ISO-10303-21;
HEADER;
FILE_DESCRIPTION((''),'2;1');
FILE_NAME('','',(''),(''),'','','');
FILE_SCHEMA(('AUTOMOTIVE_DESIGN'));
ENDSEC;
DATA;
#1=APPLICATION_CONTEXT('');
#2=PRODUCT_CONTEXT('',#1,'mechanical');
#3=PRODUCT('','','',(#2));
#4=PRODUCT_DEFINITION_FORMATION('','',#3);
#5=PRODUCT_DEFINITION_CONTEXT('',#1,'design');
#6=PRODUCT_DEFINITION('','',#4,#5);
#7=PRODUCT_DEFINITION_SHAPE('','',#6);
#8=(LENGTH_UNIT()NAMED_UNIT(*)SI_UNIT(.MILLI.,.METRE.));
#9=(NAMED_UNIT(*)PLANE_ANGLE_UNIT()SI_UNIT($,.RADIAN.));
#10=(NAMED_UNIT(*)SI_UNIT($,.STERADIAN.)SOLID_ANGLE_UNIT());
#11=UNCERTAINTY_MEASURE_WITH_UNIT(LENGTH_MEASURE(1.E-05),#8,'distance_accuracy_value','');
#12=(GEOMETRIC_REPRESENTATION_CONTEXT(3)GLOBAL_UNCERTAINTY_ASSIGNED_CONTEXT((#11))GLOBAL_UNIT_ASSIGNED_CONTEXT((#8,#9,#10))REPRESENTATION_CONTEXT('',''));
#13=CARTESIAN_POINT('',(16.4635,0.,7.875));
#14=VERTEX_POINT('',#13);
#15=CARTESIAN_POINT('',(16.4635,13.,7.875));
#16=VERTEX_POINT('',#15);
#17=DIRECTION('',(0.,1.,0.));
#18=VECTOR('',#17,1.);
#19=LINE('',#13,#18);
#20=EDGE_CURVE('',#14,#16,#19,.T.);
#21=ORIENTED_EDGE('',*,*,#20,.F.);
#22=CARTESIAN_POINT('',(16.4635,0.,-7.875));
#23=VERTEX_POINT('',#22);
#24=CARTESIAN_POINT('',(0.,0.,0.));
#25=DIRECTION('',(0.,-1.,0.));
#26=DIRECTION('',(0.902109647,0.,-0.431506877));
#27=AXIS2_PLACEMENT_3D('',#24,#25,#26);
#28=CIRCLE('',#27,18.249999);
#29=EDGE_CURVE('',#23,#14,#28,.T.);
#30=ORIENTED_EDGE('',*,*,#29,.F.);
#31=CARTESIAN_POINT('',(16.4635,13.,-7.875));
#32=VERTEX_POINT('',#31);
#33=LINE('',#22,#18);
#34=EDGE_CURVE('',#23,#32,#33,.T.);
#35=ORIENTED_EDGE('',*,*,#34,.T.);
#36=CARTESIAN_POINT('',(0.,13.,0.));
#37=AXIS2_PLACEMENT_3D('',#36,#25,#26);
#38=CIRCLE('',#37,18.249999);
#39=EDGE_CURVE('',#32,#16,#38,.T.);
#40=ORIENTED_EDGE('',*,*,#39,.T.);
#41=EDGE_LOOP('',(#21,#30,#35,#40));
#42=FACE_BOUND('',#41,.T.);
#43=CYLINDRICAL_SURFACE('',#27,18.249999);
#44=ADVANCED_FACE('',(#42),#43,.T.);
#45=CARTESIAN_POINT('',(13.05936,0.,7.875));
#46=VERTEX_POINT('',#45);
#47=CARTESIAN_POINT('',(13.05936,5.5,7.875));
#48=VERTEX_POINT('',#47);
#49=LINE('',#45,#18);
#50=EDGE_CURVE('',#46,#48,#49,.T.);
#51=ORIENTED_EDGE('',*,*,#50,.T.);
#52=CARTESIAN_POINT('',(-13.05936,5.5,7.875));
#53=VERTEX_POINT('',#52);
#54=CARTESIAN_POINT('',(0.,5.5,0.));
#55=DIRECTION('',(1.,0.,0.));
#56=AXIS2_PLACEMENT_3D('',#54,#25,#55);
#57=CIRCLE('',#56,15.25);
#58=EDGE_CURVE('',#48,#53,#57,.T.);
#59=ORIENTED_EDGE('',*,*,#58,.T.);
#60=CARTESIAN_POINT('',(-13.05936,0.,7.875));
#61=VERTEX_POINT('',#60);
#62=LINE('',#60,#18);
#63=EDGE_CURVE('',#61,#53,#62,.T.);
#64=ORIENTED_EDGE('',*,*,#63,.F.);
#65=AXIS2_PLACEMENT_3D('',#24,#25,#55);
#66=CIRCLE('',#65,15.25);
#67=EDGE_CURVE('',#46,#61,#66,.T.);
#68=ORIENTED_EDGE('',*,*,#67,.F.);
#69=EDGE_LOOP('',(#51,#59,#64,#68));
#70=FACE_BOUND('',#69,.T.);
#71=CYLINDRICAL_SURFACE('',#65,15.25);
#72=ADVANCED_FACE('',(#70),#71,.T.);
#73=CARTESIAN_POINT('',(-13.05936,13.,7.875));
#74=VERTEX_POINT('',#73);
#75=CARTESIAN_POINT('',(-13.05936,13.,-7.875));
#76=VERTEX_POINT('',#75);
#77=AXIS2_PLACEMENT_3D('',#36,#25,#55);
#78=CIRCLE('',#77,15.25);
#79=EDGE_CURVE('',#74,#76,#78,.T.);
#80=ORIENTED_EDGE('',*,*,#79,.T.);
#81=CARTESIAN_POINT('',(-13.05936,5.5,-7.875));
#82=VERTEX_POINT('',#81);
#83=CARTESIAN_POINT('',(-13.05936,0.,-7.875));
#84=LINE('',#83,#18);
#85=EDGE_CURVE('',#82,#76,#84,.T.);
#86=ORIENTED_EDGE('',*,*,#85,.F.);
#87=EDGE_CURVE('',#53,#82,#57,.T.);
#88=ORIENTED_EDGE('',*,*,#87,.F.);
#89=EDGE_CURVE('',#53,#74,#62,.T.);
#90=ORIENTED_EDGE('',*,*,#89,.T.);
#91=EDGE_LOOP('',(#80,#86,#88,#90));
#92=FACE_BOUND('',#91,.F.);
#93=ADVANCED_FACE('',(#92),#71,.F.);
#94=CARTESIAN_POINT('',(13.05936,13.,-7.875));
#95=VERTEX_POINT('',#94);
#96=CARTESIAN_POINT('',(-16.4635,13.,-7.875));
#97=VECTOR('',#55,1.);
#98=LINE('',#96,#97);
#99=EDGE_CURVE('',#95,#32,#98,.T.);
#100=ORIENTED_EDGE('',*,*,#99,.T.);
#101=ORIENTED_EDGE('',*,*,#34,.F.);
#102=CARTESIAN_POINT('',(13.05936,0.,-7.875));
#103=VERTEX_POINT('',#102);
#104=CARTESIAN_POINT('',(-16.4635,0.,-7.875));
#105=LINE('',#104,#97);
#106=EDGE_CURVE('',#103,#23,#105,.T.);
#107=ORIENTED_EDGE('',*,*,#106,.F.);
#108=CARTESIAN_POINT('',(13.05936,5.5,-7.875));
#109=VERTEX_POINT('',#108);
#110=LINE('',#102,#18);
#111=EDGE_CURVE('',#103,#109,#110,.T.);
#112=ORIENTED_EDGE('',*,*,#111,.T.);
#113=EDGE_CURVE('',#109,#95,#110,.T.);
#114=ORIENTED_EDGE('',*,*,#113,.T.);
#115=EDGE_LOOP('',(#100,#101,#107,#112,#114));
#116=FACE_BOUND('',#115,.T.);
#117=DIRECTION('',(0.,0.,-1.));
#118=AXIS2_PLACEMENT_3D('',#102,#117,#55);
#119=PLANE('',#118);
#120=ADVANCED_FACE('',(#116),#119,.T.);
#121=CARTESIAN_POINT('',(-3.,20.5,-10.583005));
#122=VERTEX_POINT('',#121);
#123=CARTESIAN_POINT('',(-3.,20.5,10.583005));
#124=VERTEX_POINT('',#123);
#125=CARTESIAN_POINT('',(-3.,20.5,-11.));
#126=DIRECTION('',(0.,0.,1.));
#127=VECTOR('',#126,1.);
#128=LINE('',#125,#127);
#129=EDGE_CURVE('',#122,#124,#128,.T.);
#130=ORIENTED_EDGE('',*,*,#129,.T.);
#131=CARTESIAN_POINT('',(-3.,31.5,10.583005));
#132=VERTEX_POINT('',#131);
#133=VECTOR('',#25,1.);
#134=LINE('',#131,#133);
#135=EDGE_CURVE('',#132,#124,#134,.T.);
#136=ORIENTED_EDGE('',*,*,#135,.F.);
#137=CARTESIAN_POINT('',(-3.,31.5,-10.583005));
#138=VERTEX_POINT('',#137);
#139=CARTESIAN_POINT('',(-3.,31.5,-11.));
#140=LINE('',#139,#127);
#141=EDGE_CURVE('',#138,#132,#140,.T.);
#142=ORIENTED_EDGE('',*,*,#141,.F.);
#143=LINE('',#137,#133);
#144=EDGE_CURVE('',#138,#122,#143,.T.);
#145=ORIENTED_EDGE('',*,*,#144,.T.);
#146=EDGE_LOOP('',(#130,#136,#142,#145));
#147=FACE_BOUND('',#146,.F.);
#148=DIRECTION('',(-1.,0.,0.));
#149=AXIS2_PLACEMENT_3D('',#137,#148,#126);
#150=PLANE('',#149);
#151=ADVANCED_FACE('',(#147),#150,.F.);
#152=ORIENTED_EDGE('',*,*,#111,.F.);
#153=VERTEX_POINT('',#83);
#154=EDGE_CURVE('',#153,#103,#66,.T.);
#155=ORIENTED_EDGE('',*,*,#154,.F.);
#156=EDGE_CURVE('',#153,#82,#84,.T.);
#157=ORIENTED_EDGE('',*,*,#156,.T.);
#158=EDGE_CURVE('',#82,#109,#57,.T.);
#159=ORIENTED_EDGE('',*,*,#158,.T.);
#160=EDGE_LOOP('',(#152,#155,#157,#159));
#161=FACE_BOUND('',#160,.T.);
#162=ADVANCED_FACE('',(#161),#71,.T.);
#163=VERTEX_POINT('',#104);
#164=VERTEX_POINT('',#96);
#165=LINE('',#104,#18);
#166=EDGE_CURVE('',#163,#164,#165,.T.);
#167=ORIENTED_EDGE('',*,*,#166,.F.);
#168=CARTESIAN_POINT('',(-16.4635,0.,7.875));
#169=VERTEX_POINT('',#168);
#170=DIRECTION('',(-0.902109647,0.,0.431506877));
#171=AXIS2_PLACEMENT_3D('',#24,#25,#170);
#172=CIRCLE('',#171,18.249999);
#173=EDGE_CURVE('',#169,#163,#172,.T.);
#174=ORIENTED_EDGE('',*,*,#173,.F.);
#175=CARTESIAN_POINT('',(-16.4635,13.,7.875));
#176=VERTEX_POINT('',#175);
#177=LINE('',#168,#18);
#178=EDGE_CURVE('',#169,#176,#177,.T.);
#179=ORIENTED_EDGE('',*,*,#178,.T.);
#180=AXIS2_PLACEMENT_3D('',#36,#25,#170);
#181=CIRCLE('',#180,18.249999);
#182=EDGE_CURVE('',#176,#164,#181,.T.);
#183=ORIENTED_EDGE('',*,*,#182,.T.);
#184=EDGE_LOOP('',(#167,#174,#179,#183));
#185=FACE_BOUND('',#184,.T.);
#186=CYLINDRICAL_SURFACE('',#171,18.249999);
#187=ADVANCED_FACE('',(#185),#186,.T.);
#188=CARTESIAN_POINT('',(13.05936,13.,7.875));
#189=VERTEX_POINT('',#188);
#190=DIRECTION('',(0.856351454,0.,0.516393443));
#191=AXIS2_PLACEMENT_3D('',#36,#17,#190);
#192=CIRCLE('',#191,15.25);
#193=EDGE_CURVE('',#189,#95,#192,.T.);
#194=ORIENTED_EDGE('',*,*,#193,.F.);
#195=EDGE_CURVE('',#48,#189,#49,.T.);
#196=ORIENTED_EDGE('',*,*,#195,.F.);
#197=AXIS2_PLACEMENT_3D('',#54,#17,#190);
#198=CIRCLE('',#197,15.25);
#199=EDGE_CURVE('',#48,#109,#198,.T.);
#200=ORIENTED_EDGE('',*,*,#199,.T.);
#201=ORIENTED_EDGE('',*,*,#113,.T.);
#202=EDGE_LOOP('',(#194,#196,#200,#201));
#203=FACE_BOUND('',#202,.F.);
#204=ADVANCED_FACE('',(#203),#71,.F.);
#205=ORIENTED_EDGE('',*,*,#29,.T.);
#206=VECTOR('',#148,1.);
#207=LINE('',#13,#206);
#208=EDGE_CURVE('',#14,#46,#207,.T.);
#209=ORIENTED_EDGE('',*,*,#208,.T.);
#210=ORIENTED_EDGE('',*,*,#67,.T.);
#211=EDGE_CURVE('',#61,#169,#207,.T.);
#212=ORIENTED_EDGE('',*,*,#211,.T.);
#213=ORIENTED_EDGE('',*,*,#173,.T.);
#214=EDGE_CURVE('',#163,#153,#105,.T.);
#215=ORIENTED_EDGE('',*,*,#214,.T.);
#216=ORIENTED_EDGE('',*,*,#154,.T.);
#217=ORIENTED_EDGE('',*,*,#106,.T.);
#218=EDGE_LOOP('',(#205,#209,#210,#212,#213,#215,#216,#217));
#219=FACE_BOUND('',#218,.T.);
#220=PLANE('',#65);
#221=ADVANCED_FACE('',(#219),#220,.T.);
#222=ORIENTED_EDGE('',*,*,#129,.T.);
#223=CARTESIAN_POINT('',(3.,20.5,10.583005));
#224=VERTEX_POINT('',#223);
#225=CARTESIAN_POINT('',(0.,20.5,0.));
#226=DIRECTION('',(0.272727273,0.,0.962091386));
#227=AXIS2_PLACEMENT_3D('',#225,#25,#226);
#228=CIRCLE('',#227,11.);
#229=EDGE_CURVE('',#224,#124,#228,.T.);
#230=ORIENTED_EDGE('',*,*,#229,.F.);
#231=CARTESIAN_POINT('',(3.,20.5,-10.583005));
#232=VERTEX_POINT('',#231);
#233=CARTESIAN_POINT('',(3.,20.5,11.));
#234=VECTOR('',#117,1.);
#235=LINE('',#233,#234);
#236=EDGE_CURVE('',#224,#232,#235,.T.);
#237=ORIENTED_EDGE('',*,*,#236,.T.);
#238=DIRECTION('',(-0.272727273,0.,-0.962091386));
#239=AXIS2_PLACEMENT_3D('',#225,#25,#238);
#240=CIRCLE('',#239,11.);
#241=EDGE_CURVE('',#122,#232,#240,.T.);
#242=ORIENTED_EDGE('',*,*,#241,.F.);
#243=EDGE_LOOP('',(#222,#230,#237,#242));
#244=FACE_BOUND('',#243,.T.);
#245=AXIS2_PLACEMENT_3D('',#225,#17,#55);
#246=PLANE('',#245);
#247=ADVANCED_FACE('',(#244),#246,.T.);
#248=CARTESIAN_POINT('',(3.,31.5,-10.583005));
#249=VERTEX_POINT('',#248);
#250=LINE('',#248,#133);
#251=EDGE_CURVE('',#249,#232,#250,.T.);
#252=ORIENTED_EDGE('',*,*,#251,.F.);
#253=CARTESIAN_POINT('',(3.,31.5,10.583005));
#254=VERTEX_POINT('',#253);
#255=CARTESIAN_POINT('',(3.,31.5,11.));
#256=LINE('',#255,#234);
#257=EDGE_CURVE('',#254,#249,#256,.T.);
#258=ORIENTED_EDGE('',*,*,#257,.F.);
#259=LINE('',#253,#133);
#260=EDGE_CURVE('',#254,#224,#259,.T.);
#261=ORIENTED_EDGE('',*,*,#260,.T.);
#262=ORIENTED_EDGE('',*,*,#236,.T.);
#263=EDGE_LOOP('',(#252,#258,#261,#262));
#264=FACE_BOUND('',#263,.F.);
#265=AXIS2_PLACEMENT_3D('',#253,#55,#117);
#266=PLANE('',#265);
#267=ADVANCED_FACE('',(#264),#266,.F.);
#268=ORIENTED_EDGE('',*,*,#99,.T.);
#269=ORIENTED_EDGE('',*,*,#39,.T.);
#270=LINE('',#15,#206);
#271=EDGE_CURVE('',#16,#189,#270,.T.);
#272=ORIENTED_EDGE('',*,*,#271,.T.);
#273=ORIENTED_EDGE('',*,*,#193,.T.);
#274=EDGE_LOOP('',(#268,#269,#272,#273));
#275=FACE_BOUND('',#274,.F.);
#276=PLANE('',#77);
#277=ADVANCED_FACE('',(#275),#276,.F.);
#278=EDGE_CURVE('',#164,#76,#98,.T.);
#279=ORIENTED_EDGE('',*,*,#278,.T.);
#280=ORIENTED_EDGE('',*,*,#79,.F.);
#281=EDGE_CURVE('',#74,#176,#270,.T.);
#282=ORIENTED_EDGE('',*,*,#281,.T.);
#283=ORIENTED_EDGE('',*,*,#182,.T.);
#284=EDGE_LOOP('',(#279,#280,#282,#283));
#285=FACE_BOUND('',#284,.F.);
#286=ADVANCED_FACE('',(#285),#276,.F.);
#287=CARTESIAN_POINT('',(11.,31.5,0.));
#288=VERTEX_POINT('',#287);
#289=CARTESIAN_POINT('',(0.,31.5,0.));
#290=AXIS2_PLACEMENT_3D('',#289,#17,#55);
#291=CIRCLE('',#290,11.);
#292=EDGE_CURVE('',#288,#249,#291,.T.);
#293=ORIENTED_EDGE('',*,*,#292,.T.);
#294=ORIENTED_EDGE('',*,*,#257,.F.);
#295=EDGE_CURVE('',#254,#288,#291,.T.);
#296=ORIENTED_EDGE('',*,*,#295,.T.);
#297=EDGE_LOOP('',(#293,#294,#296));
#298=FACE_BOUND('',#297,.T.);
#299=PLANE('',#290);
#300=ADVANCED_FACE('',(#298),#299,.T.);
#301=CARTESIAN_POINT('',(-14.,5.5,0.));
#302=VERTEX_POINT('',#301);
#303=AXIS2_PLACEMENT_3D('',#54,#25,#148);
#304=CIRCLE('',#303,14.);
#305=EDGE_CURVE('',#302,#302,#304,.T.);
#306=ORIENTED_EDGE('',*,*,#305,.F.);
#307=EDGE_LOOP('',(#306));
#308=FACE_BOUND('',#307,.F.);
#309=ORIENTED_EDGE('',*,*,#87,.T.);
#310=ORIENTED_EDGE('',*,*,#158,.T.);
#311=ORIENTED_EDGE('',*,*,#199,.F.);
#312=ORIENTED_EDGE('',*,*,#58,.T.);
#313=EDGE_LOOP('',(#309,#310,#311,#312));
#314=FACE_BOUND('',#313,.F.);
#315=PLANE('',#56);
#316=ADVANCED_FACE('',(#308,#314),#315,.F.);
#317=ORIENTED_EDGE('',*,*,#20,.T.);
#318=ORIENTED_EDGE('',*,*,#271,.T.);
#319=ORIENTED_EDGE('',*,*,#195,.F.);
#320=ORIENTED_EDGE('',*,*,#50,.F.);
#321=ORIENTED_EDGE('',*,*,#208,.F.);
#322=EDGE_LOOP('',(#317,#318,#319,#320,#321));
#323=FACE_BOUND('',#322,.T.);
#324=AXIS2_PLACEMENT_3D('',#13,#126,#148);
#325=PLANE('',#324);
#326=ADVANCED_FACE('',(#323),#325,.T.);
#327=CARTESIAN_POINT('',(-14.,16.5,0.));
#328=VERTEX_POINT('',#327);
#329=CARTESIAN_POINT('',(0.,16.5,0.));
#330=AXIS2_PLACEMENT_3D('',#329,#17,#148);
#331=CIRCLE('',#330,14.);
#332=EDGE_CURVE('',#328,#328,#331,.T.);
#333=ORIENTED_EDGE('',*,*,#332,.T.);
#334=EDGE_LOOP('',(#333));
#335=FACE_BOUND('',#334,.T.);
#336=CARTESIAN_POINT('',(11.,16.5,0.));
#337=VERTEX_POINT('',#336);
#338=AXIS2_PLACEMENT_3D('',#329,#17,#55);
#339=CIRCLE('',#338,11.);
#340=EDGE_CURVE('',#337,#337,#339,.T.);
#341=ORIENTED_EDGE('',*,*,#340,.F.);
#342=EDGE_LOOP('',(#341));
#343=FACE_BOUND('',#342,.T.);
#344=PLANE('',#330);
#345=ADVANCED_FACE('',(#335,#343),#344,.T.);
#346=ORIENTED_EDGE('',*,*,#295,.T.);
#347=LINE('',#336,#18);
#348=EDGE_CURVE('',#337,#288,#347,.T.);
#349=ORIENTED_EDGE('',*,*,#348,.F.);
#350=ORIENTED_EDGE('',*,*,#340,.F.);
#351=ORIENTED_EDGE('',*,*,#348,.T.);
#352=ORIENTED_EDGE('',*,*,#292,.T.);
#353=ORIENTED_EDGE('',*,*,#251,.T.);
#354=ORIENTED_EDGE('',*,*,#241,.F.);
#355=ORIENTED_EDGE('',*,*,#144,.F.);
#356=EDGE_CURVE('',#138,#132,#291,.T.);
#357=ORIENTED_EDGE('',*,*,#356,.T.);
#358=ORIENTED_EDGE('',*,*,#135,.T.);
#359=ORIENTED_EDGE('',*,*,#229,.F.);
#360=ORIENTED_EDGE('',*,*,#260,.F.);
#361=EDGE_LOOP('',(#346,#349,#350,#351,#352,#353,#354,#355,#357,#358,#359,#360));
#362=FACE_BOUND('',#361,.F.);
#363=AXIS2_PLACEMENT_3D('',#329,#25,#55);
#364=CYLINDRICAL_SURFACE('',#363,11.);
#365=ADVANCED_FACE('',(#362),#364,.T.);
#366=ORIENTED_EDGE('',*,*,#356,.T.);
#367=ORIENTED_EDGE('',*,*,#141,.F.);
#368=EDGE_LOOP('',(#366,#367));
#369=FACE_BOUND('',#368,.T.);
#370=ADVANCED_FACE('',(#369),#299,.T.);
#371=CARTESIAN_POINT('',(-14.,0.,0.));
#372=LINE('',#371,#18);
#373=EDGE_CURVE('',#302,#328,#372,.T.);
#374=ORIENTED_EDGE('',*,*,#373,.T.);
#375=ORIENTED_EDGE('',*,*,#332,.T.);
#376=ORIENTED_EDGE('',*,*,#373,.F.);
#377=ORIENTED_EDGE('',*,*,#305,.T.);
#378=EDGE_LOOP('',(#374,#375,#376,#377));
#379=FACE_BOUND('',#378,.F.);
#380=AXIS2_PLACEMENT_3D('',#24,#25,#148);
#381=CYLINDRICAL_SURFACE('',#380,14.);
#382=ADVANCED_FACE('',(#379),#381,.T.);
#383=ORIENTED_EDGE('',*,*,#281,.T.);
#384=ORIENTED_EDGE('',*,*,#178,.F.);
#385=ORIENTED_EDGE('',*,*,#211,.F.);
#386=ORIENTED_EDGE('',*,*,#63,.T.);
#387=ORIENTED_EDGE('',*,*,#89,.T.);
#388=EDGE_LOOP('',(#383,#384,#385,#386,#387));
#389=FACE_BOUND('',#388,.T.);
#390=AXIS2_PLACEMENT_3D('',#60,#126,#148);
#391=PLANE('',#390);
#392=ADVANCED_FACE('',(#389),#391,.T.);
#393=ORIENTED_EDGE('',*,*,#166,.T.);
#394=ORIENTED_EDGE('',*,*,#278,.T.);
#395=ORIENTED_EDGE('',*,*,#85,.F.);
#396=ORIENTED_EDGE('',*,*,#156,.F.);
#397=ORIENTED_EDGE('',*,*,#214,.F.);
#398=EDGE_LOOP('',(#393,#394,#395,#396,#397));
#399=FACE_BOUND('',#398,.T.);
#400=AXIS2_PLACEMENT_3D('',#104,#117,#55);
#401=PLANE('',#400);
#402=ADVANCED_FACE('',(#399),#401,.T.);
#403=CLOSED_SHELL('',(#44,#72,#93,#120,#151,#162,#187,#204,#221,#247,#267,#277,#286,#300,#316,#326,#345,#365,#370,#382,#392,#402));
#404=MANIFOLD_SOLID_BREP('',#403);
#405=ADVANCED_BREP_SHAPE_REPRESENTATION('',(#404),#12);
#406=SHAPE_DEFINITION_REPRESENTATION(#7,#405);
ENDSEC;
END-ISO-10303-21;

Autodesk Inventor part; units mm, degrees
ref_plane "YZ Plane" through (0, 0, 0) normal (1, 0, 0) x (0, 1, 0)
ref_plane "XZ Plane" through (0, 0, 0) normal (0, 1, 0) x (-1, 0, 0)
ref_plane "XY Plane" through (0, 0, 0) normal (0, 0, 1) x (1, 0, 0)
sketch "Sketch1" plane through (0, 0, 0) normal (0, 1, 0) x (-1, 0, 0)
  circle A0 centre (0, 0) radius 14
  dimension "d0" = 28
extrude "Extrusion1" add sketch "Sketch1" along normal blind 16.5
sketch "Sketch2" plane through (0, 16.5, 0) normal (0, 1, 0) x (1, 0, 0)
  circle A0 centre (0, 0) radius 11
  dimension "d3" = 22
extrude "Extrusion2" add sketch "Sketch2" along normal blind 15
sketch "Sketch3" plane through (0, 31.5, 0) normal (0, 1, 0) x (1, 0, 0)
  line L0 (-3, -11) -> (3, -11)
  line L1 (3, -11) -> (3, 11)
  line L2 (3, 11) -> (-3, 11)
  line L3 (-3, 11) -> (-3, -11)
  line L4 (-3, -11) -> (3, 11) construction
  line L5 (3, -11) -> (-3, 11) construction
  circle A0 centre (0, 0) radius 11 projected
  point P0 (3, -10.583)
  point P1 (3, 10.583)
  point P2 (-3, 10.583)
  point P3 (-3, -10.583)
  dimension "d6" = 6
  dimension "d7" = 0
extrude "Extrusion3" cut sketch "Sketch3" against normal blind 11 contours A0 L3 L1
sketch "Sketch4" plane through (0, 0, 0) normal (0, -1, 0) x (1, 0, 0)
  circle A0 centre (0, 0) radius 15.25
  dimension "d10" = 30.5
extrude "Extrusion4" add sketch "Sketch4" against normal blind 5.5
sketch "Sketch5" plane through (0, 0, 0) normal (0, -1, 0) x (1, 0, 0)
  line L0 (-16.4635, -7.875) -> (16.4635, -7.875)
  line L1 (16.4635, 7.875) -> (-16.4635, 7.875)
  circle A0 centre (0, 0) radius 15.25 projected
  arc A1 (-16.4635, 7.875) -> (-16.4635, -7.875) centre (0, 0) ccw
  arc A2 (16.4635, -7.875) -> (16.4635, 7.875) centre (0, 0) ccw
  point P0 (-13.0594, -7.875)
  point P1 (-13.0594, 7.875)
  point P2 (13.0594, 7.875)
  point P3 (13.0594, -7.875)
  dimension "d15" = 15.75
  dimension "d16" = 7.875
  dimension "d17" = 18.25
  dimension "d18" = 18.25
  dimension "d19" = 0
extrude "Extrusion5" add sketch "Sketch5" against normal blind 13 contours A1 L1 A0 L0 | A0 L1 A2 L0
properties part number "Light Water Sensor"
